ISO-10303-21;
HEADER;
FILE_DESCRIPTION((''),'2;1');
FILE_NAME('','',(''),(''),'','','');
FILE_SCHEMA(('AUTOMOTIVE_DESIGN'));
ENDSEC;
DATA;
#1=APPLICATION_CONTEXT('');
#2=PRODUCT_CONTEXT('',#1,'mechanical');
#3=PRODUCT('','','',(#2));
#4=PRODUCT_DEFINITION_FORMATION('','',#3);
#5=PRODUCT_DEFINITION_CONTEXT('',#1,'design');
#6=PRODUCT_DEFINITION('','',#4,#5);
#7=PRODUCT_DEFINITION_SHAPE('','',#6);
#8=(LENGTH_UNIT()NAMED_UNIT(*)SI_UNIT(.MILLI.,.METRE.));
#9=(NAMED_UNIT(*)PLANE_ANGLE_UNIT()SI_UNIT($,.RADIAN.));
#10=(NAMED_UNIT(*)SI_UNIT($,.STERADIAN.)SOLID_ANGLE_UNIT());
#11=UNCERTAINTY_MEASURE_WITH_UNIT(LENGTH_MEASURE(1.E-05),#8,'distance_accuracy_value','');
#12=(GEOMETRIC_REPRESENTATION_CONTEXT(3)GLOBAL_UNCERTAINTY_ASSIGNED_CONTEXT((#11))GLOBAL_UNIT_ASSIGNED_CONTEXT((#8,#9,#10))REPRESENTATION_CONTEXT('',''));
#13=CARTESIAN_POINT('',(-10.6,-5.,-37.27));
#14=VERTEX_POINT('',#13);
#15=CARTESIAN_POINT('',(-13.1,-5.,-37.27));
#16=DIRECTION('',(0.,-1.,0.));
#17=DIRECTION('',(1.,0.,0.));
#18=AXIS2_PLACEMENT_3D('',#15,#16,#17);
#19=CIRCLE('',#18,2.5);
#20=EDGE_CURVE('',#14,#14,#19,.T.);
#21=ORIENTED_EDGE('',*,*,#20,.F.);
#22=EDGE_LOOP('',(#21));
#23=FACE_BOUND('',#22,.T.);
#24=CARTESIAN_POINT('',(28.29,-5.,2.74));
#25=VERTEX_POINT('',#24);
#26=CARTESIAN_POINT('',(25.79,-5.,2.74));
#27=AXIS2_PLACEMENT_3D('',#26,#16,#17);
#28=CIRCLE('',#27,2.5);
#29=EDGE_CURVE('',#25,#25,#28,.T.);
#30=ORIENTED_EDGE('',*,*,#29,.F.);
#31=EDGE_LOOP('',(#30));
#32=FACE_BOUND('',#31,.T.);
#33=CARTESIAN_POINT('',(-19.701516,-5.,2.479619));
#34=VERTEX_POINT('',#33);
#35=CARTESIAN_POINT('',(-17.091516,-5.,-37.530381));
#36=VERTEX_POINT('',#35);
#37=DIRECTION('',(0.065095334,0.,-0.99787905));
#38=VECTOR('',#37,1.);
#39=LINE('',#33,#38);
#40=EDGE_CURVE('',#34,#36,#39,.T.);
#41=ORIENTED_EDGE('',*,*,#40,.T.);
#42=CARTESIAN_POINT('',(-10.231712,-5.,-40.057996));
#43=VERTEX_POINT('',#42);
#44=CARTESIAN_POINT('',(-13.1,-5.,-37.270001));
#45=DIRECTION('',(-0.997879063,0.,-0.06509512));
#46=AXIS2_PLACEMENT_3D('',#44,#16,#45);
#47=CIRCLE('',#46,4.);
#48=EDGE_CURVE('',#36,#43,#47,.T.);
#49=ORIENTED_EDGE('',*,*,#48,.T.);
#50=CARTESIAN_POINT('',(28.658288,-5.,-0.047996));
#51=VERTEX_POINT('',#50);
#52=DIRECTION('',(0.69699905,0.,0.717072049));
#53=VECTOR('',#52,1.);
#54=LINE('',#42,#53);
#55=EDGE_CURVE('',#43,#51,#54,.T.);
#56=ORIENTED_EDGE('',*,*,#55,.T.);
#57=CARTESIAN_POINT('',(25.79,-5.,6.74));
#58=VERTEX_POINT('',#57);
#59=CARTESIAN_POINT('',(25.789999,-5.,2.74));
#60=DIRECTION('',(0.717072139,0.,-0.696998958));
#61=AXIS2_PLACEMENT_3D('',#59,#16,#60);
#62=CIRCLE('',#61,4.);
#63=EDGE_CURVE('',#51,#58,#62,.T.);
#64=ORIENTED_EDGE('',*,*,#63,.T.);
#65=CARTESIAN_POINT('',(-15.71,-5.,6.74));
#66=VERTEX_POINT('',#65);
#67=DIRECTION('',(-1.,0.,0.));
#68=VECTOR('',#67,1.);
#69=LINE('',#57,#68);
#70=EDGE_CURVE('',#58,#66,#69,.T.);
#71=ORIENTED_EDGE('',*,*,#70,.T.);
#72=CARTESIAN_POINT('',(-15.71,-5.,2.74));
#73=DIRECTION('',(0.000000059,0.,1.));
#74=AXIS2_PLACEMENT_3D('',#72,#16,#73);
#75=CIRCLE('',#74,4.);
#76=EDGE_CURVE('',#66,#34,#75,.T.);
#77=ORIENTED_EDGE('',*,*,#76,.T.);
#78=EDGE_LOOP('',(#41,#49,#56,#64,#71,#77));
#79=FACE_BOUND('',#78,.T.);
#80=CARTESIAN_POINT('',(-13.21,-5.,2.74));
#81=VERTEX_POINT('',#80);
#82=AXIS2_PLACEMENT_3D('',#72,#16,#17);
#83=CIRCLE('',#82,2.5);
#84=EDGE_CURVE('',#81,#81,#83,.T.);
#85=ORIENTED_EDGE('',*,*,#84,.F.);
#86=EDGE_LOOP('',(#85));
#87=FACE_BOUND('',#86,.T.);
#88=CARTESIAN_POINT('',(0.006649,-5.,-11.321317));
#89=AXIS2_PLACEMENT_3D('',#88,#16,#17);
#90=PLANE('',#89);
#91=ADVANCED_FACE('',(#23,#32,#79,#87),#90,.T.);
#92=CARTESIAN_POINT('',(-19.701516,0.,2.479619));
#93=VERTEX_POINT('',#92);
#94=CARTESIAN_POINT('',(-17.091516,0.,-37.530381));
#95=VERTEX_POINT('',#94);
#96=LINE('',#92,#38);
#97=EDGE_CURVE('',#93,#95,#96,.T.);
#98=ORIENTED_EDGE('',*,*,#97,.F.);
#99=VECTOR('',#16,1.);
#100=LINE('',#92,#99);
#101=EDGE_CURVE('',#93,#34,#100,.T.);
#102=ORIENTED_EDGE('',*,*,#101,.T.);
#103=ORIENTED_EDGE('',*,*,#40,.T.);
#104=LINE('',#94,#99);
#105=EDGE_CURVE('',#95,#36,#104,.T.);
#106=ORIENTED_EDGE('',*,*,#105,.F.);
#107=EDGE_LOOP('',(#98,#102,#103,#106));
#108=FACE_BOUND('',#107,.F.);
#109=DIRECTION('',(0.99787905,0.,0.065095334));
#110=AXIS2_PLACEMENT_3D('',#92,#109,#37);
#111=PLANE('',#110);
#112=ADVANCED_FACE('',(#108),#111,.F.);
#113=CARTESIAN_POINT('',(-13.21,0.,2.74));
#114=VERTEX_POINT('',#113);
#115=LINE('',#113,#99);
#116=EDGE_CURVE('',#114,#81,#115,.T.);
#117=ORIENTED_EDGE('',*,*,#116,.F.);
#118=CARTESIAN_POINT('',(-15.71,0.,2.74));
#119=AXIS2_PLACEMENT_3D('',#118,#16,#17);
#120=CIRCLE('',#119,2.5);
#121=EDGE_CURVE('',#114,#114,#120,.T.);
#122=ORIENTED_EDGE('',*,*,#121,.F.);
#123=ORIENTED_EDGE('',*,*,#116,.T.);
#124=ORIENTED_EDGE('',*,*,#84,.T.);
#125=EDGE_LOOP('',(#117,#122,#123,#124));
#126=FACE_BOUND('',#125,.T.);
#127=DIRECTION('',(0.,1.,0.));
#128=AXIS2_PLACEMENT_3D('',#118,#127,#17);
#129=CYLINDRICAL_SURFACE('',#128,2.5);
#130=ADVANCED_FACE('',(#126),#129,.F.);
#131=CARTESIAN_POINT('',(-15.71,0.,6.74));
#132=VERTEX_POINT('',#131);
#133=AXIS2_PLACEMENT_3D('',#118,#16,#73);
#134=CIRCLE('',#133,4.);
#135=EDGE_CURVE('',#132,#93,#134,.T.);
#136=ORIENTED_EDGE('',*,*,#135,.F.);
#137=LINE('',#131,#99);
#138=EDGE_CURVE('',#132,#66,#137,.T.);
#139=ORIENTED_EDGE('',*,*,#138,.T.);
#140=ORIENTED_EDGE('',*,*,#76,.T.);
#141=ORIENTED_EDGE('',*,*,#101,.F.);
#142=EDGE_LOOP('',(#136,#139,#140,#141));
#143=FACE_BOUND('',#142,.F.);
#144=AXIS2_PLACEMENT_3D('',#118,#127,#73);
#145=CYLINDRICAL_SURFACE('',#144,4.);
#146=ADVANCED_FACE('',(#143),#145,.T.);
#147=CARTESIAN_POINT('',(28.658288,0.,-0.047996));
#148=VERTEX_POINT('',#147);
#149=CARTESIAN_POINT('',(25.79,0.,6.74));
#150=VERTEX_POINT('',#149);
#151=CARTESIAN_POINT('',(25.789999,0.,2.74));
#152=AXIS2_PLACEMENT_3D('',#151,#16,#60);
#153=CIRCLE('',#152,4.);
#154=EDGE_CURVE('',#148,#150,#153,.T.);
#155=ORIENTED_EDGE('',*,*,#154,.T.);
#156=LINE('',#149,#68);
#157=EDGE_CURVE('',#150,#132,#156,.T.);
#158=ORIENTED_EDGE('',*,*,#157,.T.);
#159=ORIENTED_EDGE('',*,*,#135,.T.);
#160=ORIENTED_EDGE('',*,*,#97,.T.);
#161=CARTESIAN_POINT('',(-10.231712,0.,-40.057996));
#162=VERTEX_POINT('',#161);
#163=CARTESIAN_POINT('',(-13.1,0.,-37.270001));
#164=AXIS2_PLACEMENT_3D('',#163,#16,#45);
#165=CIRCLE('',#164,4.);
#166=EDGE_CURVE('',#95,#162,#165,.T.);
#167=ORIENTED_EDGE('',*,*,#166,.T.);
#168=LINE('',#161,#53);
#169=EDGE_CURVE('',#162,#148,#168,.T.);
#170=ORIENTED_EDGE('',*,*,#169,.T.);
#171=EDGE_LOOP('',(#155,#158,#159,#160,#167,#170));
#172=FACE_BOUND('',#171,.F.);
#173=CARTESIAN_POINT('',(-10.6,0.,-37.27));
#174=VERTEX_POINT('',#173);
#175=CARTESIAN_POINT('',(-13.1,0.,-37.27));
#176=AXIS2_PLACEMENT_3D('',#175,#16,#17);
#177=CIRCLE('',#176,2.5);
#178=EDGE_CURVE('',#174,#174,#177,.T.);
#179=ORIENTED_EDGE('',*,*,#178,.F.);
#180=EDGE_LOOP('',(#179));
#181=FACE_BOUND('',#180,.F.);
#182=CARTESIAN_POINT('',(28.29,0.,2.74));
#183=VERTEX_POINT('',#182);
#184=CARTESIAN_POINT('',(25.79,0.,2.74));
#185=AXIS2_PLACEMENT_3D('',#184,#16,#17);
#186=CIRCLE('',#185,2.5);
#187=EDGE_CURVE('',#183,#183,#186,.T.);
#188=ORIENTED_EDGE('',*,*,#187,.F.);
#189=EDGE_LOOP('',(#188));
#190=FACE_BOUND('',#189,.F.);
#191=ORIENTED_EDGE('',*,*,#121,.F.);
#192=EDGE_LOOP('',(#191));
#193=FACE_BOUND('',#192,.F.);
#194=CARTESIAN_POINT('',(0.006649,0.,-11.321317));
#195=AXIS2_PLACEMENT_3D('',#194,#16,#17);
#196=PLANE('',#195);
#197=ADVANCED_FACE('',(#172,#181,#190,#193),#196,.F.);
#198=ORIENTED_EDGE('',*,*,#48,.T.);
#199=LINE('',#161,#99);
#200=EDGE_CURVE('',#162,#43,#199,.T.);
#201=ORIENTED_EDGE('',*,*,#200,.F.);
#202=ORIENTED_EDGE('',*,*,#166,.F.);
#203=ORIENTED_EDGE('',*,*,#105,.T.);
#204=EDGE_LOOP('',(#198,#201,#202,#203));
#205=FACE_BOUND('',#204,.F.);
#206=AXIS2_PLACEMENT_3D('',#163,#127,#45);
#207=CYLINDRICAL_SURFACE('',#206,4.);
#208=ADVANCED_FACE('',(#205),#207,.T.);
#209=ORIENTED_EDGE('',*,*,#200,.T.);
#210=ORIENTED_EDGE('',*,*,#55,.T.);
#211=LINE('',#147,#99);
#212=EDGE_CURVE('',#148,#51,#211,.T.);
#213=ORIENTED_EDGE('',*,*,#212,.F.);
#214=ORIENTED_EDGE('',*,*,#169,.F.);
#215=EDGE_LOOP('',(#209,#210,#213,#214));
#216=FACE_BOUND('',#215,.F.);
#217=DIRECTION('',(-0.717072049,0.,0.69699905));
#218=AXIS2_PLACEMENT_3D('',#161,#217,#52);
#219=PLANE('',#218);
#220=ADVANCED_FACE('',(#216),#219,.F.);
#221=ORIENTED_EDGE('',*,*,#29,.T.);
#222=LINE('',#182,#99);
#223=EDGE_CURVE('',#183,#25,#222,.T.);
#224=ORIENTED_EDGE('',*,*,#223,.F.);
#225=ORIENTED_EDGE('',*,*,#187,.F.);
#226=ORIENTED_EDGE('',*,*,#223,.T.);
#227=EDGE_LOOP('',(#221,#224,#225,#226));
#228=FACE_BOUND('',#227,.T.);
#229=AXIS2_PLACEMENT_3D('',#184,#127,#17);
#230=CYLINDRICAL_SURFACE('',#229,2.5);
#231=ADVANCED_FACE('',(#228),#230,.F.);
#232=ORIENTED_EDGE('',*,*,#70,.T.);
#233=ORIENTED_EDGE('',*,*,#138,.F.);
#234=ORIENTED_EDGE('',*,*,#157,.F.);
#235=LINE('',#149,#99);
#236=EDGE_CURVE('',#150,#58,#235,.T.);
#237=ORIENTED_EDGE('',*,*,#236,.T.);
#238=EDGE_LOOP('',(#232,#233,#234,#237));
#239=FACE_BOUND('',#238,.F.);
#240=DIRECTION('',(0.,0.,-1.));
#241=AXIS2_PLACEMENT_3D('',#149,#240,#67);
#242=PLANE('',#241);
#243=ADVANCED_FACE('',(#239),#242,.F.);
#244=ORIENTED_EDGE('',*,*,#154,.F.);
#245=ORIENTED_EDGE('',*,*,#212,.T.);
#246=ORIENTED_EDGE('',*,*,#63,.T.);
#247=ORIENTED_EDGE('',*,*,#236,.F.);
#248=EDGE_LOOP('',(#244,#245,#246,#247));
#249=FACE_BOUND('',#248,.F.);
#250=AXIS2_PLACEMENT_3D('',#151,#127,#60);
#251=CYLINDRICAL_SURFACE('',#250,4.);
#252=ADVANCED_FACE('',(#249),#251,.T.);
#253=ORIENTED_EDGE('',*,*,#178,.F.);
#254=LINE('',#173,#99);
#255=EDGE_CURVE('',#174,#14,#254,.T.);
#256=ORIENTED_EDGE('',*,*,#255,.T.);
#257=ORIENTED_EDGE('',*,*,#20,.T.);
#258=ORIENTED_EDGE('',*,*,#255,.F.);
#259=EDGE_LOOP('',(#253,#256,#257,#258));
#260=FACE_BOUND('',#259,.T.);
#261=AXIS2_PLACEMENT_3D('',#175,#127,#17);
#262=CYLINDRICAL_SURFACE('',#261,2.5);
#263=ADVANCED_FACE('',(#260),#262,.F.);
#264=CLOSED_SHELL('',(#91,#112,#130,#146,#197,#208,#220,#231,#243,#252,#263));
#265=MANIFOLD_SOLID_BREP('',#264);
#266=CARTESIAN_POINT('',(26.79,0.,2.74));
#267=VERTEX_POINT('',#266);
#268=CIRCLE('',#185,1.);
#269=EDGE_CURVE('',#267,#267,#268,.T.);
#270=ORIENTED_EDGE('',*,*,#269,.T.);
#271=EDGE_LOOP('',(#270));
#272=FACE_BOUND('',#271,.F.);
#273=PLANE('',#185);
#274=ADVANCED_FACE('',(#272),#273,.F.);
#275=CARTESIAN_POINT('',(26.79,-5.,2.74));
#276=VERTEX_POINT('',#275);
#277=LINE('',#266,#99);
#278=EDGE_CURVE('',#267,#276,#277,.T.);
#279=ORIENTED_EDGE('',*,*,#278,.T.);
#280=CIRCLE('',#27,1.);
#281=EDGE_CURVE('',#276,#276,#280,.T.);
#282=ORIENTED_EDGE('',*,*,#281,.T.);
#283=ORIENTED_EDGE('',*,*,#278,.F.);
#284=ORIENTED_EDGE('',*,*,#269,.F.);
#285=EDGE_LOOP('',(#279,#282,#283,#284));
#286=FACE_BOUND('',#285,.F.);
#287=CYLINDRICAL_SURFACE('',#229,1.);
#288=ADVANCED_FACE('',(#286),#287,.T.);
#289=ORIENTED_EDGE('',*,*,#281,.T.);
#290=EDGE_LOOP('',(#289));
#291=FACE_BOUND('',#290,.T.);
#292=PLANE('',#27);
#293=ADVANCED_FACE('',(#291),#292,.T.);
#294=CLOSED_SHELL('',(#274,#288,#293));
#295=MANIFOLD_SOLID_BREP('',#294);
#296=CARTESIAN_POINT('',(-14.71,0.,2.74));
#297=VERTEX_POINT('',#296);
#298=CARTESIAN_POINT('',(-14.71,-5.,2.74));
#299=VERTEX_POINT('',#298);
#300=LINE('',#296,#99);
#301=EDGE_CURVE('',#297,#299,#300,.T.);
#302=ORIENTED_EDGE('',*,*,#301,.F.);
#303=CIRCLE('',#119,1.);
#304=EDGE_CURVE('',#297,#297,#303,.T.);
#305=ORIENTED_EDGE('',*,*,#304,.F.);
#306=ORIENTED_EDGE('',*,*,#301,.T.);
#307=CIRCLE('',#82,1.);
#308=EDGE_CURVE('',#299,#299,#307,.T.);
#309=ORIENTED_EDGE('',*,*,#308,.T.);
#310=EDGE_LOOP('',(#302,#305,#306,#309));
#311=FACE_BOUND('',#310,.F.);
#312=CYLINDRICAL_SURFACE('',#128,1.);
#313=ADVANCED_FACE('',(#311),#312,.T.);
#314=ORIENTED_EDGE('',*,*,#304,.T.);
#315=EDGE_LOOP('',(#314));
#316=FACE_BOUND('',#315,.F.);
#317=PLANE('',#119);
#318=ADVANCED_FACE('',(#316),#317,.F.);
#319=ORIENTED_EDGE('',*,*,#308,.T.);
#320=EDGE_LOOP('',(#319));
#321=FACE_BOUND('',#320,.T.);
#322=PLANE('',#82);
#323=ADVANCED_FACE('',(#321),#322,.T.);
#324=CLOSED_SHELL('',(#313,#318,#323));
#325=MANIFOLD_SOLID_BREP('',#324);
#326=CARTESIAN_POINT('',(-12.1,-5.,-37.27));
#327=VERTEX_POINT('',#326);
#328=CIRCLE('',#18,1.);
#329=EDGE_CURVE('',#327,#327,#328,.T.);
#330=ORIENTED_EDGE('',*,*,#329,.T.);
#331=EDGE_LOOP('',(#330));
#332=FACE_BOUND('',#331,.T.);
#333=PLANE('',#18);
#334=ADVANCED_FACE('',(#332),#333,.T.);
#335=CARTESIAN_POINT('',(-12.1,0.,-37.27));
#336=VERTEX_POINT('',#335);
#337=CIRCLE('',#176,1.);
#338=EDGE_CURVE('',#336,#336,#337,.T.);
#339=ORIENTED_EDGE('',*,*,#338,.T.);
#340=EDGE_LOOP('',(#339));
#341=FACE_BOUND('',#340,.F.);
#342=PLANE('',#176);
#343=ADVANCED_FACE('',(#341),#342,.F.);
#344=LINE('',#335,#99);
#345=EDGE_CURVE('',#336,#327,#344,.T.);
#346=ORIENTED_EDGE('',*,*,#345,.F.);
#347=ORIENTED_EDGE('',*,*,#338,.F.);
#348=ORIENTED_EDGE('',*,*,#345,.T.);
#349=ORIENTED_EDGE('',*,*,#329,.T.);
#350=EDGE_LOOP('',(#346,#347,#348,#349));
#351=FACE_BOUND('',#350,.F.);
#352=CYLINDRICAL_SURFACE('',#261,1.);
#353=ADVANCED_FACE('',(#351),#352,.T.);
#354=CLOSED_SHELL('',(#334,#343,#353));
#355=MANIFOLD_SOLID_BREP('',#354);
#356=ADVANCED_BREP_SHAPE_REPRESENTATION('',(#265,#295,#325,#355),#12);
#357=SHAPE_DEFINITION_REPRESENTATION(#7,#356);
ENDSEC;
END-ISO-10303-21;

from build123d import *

# Parameters (mm, degrees)
F0_R     = 2.5
F0_R_2   = 1
F1_DEPTH = 5


with BuildPart() as f1:
    # F0 (on Front) → F1 (new body)
    with BuildSketch(Plane.XZ):
        with BuildLine():
            Line((25.79, 6.74), (-15.71, 6.74))
            ThreePointArc((-15.71, 6.74), (-18.629035, 5.474819), (-19.701516, 2.479619))
            Line((-19.701516, 2.479619), (-17.091516, -37.530381))
            ThreePointArc((-17.091516, -37.530381), (-14.482975, -41.023316), (-10.231712, -40.057996))
            Line((-10.231712, -40.057996), (28.658288, -0.047996))
            ThreePointArc((28.658288, -0.047996), (29.474561, 4.296922), (25.79, 6.74))
        make_face()
        with Locations((-13.1, -37.27)):
            Circle(F0_R, mode=Mode.SUBTRACT)
        with Locations((-15.71, 2.74)):
            Circle(F0_R, mode=Mode.SUBTRACT)
        with Locations((25.79, 2.74)):
            Circle(F0_R, mode=Mode.SUBTRACT)
        with Locations((-15.71, 2.74)):
            Circle(F0_R_2)
        with Locations((-13.1, -37.27)):
            Circle(F0_R_2)
        with Locations((25.79, 2.74)):
            Circle(F0_R_2)
    extrude(amount=F1_DEPTH)


solid = f1.part
